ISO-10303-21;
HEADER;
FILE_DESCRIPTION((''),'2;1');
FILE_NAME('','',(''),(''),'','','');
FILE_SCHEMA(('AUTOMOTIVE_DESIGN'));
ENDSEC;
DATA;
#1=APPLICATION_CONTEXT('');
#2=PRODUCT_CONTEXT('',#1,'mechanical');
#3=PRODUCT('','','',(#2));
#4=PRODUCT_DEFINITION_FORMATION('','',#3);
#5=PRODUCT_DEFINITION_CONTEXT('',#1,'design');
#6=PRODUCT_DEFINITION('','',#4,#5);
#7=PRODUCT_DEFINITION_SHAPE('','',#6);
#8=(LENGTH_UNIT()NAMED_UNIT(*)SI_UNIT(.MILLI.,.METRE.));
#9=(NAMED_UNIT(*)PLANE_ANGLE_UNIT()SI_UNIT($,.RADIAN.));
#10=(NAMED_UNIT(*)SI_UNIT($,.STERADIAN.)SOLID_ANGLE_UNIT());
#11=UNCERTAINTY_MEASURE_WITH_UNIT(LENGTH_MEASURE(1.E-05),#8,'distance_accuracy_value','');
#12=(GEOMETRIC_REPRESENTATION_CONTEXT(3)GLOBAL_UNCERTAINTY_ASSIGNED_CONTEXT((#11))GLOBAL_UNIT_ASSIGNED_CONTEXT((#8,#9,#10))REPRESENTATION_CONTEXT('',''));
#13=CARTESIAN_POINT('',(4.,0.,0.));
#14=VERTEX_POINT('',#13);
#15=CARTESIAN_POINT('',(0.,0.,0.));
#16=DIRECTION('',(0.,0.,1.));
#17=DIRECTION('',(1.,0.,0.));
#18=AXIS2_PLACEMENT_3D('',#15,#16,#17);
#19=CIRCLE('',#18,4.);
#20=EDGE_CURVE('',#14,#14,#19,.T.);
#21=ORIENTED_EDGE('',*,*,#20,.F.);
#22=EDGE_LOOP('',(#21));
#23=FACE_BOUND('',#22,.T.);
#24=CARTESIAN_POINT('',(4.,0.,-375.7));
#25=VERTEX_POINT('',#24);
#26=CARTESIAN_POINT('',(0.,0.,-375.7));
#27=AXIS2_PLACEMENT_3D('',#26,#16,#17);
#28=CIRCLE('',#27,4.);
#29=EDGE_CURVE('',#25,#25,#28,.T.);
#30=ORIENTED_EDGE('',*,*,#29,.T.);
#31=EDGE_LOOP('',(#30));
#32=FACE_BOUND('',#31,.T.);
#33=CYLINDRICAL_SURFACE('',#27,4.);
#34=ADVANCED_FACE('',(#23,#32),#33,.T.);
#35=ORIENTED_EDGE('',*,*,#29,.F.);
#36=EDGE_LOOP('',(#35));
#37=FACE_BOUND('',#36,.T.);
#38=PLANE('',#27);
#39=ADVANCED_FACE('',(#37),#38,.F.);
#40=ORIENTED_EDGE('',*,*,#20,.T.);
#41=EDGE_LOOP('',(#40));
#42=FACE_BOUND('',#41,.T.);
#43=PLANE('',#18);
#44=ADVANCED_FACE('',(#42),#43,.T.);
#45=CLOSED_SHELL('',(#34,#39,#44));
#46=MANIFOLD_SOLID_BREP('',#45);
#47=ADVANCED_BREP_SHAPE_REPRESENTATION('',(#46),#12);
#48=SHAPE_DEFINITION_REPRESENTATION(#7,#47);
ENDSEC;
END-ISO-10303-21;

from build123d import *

# Parameters (mm, degrees)
SCHIZZO1_R                   = 4
ESTRUSIONE_ESTRUSIONE2_DEPTH = 375.7


with BuildPart() as part:
    # Schizzo1 → Estrusione-Estrusione2 (new body)
    with BuildSketch(Plane.XY):
        Circle(SCHIZZO1_R)
    extrude(amount=-ESTRUSIONE_ESTRUSIONE2_DEPTH)


solid = part.part
